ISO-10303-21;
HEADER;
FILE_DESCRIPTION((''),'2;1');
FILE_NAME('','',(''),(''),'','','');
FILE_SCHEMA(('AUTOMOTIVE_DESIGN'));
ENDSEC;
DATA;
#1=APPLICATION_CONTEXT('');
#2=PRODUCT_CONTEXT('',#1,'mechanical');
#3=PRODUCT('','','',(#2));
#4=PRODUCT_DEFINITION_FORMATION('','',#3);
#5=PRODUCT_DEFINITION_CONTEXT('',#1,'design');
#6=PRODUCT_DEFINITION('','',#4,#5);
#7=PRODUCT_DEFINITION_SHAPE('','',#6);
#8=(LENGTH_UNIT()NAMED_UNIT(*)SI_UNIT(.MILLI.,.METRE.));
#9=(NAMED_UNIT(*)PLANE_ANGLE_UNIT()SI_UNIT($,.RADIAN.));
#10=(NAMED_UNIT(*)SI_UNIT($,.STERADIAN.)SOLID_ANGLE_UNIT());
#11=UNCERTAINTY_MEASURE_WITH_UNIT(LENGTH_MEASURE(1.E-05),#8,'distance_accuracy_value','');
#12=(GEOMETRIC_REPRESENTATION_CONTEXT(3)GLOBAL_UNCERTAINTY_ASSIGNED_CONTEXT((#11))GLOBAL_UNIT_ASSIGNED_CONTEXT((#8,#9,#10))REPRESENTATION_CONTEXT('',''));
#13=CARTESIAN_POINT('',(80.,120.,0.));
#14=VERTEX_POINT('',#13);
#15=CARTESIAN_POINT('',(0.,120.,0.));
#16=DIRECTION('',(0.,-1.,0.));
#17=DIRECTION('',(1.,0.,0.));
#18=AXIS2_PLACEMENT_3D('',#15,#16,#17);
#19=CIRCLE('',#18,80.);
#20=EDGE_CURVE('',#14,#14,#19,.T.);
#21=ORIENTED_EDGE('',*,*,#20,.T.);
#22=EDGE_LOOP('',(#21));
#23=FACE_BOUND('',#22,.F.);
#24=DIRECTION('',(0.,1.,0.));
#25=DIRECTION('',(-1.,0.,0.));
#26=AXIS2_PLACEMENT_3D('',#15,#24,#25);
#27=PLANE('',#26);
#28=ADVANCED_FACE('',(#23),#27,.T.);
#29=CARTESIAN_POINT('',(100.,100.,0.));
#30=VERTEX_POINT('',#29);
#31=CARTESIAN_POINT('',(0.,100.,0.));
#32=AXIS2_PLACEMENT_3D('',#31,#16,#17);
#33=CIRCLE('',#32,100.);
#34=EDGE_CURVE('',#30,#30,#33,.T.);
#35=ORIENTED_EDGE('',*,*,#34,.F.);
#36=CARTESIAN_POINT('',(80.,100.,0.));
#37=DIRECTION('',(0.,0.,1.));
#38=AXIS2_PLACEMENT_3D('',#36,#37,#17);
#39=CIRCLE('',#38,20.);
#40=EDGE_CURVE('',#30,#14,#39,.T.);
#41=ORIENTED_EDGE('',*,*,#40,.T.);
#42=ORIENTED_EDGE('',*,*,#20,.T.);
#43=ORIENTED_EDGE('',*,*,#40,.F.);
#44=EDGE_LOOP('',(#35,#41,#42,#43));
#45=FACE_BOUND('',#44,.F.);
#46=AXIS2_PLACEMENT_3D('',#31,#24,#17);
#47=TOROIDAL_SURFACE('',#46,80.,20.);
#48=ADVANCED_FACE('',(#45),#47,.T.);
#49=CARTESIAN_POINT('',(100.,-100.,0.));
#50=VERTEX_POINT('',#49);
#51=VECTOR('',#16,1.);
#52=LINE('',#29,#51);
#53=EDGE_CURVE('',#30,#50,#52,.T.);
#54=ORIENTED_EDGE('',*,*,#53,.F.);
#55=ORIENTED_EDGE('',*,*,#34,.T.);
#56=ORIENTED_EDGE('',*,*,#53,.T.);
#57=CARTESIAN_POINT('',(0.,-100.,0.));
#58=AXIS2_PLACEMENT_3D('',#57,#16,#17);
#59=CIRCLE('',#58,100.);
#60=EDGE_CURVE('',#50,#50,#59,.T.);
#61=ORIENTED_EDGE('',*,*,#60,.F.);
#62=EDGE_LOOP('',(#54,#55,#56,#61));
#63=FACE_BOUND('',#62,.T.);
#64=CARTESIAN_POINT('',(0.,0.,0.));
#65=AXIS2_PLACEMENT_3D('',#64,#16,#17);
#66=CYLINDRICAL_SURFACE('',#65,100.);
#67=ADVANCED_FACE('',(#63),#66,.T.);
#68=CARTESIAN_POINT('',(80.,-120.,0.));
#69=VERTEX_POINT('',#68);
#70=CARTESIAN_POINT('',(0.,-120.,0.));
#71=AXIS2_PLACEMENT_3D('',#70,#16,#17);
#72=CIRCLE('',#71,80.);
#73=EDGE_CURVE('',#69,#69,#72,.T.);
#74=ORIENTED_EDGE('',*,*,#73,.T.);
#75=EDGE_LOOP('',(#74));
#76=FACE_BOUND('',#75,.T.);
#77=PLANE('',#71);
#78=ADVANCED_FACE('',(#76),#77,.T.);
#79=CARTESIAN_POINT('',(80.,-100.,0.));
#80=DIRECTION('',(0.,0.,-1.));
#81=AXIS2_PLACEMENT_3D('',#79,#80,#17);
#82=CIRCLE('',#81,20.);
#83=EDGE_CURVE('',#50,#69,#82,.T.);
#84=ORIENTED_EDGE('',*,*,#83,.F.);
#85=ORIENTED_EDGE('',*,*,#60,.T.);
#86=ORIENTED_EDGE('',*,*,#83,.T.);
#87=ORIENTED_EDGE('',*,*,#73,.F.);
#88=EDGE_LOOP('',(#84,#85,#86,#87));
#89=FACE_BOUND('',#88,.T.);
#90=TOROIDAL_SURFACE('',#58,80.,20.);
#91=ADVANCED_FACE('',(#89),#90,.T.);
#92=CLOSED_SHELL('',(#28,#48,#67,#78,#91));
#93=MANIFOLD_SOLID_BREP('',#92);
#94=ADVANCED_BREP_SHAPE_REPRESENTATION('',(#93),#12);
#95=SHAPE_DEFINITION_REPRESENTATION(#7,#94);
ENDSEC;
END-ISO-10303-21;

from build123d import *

# Parameters (mm, degrees)
F0_R     = 100
F1_DEPTH = 120
F2_R     = 20


with BuildPart() as f1:
    # F0 (on Front) → F1 (new body)
    with BuildSketch(Plane.XZ):
        Circle(F0_R)
    extrude(amount=F1_DEPTH)

    # F2
    f2_edges = [f1.edges().sort_by_distance(p)[0] for p in [
        (-100, -120, 0),
    ]]
    fillet(f2_edges, radius=F2_R)

    # F3: F1 across face


with BuildPart() as f1_1:
    add(f1.part)
    add(f1.part.mirror(Plane(origin=(0, 0, 0), x_dir=(1, 0, 0), z_dir=(0, 1, 0))))


solid = f1_1.part
